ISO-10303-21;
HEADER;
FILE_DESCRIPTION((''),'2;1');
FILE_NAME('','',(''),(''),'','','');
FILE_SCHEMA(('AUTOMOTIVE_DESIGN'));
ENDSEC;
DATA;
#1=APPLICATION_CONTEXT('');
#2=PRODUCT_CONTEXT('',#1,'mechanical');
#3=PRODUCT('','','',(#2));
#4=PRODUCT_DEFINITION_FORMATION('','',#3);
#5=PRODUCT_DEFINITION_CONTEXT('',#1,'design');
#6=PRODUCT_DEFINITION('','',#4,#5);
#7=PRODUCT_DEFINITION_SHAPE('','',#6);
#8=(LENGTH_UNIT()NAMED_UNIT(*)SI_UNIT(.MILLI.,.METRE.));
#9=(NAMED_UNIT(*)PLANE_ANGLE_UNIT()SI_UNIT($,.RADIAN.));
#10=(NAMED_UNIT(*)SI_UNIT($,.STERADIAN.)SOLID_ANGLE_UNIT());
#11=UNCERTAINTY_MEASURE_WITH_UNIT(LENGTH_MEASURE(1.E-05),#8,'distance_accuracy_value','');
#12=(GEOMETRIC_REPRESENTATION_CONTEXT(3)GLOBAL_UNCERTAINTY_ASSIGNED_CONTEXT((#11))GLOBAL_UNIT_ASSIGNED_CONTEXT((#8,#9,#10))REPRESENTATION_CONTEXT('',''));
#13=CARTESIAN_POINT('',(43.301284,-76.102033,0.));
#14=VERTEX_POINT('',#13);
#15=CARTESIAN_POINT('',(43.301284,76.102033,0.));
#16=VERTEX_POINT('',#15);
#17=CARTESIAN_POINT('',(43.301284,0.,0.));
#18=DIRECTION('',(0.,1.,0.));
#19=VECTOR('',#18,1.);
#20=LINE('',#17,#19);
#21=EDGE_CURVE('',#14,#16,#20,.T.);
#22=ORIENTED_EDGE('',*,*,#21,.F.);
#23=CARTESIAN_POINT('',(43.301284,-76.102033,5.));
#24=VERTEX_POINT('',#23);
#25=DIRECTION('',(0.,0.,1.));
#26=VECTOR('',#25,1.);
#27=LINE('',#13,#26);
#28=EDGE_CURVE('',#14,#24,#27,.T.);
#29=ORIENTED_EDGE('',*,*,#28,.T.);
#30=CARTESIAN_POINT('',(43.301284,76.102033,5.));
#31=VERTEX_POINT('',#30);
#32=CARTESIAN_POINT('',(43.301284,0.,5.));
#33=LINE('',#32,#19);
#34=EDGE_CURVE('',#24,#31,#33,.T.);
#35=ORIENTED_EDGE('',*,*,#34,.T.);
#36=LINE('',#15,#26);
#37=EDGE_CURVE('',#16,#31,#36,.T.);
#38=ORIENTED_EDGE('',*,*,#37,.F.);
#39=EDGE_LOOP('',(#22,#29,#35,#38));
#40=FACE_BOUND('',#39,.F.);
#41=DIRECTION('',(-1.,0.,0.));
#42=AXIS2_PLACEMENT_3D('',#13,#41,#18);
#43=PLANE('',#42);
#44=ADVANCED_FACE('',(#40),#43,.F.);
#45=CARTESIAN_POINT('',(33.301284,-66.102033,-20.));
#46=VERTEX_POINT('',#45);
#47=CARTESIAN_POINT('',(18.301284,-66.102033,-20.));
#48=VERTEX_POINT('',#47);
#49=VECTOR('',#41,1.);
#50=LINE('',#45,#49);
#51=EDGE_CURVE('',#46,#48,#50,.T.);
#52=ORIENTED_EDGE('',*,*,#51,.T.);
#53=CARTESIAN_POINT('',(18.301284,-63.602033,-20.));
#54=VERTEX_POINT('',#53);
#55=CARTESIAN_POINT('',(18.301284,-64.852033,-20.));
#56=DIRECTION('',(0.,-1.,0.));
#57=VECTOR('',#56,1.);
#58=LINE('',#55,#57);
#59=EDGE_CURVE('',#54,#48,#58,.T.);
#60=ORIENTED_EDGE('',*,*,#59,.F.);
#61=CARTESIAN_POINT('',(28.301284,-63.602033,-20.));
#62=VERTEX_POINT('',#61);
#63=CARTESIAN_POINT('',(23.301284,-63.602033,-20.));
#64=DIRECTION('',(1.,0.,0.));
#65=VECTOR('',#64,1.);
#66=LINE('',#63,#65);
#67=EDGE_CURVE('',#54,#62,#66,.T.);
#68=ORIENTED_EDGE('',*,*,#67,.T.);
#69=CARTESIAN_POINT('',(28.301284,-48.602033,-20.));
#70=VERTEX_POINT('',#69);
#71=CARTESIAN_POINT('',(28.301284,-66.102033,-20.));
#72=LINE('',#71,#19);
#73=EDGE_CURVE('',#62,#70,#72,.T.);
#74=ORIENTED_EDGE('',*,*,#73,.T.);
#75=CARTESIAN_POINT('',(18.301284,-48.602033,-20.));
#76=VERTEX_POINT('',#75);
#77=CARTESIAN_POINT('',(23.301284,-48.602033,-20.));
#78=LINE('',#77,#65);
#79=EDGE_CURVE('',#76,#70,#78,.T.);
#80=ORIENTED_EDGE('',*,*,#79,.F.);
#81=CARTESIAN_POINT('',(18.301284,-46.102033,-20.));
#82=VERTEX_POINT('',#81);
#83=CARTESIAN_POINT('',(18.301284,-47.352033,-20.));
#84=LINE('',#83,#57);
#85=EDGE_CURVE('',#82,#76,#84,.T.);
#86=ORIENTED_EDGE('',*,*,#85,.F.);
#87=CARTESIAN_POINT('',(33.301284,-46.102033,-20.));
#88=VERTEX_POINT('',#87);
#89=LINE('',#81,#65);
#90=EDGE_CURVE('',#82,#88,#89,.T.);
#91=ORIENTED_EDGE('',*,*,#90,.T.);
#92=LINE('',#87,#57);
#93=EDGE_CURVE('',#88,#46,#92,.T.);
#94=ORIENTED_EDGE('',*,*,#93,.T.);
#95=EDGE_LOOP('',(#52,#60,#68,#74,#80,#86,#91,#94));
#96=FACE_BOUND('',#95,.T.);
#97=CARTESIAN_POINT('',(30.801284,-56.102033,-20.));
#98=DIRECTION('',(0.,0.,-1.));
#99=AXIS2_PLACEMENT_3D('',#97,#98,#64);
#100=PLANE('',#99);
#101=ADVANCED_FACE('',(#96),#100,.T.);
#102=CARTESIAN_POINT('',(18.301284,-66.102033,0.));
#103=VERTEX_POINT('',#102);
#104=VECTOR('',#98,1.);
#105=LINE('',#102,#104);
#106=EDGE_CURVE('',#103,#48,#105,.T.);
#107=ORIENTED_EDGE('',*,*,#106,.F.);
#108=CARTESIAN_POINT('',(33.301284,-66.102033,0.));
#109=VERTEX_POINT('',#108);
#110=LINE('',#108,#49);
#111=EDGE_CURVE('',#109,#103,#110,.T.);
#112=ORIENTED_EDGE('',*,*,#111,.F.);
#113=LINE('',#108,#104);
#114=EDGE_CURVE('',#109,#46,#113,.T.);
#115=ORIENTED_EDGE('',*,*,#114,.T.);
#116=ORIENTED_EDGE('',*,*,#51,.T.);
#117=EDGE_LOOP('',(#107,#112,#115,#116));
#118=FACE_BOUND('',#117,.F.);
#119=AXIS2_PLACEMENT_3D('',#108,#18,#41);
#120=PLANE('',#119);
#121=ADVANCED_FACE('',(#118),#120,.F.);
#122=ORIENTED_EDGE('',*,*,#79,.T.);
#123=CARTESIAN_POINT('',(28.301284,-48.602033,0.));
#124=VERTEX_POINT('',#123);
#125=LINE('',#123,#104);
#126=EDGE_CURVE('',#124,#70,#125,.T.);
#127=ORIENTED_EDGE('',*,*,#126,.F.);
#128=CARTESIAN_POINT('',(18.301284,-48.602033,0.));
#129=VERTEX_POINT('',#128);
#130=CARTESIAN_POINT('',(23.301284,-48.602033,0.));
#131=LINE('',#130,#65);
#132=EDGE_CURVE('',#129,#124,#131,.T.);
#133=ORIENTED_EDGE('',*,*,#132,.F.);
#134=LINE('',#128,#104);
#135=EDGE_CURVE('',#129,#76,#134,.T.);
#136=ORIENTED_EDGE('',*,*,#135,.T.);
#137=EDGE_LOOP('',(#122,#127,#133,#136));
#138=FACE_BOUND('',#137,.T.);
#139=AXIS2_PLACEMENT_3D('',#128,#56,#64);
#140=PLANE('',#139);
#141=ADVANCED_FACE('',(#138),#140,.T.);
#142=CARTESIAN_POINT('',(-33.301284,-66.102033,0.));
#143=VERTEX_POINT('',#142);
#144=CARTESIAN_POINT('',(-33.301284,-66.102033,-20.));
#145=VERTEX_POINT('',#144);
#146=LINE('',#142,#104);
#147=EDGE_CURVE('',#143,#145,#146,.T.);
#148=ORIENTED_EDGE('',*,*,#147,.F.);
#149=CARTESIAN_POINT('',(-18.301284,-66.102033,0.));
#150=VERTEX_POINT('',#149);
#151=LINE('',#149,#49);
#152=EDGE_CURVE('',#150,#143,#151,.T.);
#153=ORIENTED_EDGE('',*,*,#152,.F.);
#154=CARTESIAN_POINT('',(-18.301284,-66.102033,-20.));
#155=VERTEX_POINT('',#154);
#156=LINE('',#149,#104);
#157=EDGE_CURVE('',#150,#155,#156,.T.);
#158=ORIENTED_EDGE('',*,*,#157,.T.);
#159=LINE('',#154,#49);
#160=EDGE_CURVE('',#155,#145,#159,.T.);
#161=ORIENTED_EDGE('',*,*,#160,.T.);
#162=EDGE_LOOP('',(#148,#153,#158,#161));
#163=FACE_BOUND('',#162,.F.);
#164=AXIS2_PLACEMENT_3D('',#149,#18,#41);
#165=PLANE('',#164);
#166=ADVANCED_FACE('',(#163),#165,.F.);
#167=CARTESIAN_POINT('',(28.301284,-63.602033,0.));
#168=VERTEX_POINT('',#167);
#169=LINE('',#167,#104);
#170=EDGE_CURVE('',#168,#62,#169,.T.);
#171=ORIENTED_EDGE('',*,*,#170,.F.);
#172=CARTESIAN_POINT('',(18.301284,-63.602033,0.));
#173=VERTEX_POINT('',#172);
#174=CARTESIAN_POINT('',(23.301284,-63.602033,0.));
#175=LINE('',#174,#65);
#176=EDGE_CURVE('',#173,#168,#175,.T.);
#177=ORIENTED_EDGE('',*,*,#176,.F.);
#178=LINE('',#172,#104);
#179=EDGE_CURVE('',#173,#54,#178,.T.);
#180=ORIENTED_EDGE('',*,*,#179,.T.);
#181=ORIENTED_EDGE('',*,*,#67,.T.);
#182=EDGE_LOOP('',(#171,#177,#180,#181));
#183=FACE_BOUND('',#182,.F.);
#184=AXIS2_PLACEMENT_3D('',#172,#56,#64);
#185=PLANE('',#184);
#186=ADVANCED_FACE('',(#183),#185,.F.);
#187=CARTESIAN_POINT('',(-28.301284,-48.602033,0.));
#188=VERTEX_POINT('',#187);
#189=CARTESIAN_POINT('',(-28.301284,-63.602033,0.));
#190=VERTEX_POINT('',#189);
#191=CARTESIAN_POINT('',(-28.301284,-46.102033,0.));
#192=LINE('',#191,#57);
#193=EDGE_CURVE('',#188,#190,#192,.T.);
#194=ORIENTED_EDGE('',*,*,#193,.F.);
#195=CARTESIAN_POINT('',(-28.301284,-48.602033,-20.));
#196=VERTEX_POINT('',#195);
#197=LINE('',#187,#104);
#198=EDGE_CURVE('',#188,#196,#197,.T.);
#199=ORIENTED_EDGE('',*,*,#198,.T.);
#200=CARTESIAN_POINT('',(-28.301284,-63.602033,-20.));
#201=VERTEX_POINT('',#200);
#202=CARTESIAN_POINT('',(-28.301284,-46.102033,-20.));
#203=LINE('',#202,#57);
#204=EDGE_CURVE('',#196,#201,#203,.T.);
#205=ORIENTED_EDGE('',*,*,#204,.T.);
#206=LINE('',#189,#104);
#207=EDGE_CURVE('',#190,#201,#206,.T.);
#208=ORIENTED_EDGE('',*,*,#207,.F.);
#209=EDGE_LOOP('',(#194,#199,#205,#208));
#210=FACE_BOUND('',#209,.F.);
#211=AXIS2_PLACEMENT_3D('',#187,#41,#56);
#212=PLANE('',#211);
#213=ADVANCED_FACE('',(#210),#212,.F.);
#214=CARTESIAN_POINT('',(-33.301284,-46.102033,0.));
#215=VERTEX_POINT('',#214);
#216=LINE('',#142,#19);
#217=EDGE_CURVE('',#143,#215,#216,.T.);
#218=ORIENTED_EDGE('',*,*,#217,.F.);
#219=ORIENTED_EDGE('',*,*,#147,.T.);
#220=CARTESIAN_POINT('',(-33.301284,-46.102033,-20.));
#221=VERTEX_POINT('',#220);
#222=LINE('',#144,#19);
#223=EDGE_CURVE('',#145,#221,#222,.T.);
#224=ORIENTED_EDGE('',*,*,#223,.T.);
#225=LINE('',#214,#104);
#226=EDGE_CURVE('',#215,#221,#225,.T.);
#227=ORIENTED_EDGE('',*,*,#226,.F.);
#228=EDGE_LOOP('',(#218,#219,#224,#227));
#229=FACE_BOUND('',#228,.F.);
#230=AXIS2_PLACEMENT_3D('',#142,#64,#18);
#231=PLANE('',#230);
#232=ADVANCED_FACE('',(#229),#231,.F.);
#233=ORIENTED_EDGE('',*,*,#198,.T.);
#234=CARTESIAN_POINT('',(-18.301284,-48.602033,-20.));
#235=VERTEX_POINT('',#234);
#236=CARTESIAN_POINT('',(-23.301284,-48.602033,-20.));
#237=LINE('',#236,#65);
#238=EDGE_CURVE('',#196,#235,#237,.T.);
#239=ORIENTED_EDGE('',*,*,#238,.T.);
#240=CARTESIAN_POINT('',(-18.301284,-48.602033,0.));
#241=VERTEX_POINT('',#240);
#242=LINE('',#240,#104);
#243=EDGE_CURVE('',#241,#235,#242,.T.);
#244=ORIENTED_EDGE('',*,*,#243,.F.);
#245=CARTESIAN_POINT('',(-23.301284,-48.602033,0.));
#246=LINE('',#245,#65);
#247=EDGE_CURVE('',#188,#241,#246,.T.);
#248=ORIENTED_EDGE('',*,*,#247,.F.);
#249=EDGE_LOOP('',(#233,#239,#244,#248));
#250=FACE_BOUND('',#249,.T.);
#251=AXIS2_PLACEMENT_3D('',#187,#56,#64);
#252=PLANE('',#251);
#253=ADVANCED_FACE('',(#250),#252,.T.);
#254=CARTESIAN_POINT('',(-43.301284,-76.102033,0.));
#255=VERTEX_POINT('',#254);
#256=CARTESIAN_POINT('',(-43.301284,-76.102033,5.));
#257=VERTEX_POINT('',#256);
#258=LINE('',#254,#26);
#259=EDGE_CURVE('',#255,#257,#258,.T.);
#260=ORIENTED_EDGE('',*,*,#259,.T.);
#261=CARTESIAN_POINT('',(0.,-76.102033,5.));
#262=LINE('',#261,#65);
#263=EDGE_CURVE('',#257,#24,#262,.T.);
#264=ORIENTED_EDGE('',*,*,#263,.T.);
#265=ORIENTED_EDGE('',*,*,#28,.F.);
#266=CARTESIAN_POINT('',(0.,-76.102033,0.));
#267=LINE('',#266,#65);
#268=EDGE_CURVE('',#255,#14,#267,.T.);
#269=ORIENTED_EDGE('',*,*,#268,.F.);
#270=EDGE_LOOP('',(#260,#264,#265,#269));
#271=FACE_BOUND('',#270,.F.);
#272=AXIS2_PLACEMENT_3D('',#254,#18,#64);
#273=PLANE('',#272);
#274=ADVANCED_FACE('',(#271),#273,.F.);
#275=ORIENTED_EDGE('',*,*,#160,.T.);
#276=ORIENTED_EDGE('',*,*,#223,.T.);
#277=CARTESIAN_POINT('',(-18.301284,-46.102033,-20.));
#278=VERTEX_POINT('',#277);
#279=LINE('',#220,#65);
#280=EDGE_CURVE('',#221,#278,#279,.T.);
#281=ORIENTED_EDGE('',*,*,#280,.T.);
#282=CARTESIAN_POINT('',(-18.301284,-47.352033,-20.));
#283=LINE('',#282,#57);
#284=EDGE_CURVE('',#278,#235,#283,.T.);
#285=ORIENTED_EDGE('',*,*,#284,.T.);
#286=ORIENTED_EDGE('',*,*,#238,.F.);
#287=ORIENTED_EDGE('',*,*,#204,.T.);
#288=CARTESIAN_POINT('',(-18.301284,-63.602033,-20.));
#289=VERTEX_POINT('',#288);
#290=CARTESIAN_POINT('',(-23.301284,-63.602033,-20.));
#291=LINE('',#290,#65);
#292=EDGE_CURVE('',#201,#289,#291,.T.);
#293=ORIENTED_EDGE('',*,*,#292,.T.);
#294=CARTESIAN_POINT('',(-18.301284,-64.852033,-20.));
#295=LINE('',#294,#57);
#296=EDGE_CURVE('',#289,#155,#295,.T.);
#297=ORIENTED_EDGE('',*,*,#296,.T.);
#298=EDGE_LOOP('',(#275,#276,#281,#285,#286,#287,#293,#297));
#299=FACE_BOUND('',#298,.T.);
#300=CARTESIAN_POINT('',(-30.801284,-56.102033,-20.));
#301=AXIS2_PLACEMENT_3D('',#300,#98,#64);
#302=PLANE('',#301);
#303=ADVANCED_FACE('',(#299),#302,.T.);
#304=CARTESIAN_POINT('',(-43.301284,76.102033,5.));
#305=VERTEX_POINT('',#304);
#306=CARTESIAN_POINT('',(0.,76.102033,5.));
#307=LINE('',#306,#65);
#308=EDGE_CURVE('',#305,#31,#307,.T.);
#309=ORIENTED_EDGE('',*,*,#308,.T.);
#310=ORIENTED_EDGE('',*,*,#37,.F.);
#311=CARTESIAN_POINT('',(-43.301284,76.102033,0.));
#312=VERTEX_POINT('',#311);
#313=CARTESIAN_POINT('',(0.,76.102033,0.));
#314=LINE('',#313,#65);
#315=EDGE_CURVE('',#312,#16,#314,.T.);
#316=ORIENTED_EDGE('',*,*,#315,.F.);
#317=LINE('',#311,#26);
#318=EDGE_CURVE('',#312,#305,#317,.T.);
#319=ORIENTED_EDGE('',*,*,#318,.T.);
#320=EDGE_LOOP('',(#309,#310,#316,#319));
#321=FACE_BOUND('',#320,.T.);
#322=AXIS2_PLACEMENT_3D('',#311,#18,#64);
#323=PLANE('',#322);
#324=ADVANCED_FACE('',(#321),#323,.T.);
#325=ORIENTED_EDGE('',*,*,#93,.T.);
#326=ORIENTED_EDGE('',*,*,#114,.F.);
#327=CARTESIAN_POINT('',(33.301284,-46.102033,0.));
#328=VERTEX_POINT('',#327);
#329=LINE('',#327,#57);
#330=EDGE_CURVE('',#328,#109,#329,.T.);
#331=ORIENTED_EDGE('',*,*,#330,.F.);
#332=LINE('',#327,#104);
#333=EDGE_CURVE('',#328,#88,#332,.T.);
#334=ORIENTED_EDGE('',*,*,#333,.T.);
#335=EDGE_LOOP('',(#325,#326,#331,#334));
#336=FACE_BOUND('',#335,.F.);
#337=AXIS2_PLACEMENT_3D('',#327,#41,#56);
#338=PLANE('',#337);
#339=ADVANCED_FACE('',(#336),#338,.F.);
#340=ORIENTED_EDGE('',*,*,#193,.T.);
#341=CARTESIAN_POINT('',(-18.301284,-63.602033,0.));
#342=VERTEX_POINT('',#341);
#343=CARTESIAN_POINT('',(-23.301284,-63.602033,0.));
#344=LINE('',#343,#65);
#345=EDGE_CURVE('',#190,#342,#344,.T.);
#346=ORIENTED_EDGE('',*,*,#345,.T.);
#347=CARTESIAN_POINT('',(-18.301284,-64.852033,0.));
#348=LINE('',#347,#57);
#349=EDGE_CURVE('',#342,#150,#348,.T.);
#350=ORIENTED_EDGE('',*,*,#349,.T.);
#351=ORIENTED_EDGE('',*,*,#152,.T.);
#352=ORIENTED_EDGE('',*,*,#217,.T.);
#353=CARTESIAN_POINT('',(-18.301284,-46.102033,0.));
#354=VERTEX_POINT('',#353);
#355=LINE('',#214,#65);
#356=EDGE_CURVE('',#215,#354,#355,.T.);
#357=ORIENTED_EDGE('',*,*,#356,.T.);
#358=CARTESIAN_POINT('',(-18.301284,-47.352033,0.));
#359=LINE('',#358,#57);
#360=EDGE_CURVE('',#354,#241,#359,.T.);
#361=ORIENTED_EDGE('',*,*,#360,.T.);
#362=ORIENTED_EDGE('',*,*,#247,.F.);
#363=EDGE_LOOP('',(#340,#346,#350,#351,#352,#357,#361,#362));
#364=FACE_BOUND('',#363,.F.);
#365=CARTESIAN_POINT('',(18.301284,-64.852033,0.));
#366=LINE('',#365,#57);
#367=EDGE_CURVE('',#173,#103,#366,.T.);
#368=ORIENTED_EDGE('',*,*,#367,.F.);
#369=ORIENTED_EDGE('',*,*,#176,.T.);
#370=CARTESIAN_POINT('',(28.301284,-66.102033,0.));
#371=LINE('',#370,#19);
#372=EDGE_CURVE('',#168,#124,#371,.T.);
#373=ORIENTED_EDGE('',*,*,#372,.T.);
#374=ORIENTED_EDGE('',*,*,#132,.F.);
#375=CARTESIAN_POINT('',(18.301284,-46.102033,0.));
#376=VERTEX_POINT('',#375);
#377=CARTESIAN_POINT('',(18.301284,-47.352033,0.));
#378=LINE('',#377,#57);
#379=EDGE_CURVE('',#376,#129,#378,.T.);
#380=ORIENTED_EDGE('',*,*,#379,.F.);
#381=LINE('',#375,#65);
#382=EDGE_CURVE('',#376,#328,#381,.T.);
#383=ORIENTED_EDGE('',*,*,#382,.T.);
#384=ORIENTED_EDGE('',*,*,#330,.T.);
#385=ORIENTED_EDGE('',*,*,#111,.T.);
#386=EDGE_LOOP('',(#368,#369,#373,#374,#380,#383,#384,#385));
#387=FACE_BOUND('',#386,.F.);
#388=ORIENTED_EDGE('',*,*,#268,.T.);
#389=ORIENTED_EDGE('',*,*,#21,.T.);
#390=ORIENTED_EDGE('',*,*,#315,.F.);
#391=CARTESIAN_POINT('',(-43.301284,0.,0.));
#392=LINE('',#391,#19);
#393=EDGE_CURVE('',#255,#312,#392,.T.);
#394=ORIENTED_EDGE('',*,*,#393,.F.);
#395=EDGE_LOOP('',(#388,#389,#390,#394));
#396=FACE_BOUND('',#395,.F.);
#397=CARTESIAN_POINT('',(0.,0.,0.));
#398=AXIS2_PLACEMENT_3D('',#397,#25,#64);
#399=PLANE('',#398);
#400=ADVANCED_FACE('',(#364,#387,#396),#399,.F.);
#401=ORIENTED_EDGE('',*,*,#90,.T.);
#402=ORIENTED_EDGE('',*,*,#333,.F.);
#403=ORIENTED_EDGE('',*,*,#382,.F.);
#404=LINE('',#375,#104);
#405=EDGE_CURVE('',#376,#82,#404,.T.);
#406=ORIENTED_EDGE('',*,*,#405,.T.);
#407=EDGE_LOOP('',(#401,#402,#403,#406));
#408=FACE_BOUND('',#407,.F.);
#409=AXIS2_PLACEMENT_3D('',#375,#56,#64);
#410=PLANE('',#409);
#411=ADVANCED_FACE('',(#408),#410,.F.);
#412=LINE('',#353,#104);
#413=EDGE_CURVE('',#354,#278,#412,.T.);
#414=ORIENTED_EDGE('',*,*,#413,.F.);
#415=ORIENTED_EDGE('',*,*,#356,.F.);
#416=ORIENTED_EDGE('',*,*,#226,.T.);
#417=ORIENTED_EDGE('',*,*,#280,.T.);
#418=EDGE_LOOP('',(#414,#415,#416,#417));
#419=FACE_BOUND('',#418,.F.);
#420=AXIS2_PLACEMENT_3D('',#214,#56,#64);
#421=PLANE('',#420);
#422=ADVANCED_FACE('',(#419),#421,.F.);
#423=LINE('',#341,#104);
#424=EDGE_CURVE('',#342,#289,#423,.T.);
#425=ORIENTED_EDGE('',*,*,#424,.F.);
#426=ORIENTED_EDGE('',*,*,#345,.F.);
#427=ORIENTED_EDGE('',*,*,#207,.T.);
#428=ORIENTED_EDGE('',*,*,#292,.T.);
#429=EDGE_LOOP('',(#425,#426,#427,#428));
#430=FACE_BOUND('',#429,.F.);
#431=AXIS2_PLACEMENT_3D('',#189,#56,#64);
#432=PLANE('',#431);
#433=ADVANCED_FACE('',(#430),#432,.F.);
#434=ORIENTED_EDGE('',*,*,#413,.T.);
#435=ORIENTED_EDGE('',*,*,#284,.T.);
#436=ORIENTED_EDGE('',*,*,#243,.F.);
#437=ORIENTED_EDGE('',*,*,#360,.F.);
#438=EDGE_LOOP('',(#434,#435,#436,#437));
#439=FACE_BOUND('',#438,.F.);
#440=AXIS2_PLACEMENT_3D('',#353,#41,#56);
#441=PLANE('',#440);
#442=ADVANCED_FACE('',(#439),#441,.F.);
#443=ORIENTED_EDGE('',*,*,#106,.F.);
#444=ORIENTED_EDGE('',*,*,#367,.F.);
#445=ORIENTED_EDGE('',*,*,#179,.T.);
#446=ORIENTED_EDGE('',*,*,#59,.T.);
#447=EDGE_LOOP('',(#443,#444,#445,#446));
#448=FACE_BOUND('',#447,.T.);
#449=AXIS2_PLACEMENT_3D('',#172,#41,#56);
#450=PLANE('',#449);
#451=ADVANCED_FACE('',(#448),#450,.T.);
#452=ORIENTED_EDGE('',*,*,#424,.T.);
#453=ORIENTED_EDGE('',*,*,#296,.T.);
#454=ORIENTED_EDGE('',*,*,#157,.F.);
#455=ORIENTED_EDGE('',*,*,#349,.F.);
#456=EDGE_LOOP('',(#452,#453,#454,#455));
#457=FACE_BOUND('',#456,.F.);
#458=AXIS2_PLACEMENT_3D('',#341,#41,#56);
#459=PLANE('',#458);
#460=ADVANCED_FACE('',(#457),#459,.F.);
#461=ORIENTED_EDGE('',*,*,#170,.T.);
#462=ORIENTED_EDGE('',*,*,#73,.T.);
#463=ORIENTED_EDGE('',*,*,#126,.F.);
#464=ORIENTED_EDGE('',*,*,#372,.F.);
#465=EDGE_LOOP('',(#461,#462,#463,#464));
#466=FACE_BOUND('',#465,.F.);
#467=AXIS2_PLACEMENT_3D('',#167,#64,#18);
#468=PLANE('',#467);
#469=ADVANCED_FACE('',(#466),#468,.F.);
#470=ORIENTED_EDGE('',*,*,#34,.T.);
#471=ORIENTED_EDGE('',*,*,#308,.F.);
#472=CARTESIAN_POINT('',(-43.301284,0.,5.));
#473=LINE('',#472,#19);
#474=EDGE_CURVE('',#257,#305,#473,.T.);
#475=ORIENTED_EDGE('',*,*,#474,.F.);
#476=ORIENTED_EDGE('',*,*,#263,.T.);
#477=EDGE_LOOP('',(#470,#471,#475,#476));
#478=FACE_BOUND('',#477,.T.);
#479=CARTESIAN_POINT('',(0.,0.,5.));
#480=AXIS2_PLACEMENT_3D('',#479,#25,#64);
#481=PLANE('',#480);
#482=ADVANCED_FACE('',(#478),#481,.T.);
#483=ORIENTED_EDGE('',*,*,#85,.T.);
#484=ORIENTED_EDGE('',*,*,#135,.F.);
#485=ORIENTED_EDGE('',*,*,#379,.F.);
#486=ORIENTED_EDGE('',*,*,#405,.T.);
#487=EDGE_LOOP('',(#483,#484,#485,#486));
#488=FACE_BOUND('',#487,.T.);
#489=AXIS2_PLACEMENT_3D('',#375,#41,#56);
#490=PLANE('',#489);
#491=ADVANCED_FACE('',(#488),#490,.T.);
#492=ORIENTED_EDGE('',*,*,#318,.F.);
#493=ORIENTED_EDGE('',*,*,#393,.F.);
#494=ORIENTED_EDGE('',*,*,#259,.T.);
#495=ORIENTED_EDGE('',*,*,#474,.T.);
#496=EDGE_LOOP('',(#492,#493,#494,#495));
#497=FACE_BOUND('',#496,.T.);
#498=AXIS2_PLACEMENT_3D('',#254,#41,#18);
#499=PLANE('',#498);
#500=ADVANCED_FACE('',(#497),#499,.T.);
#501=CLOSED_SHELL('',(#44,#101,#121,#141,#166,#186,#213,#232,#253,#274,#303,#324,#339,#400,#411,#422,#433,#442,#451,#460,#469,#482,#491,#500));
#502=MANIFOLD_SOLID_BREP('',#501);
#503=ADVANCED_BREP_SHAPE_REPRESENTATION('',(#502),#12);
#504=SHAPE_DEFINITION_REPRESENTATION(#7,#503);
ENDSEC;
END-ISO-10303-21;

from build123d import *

# Parameters (mm, degrees)
F0_W     = 86.602568
F0_H     = 152.204066
F1_DEPTH = 5
F2_W     = 10
F2_H     = 2.5
F3_DEPTH = 20


with BuildPart() as f1:
    # F0 (on Top) → F1 (new body)
    with BuildSketch(Plane.XY):
        Rectangle(F0_W, F0_H)
    extrude(amount=F1_DEPTH)

    # F2 (on face) → F3 (join)
    with BuildSketch(Plane(origin=(0, 0, 0), x_dir=(1, 0, 0), z_dir=(0, 0, -1))):
        Polygon((-28.301284, 66.102033), (-33.301284, 66.102033), (-33.301284, 46.102033), (-28.301284, 46.102033), (-28.301284, 48.602033), (-28.301284, 63.602033), align=None)
        with Locations((-23.301284, 64.852033)):
            Rectangle(F2_W, F2_H)
        with Locations((-23.301284, 47.352033)):
            Rectangle(F2_W, F2_H)
        Polygon((28.301284, 48.602033), (28.301284, 46.102033), (33.301284, 46.102033), (33.301284, 66.102033), (28.301284, 66.102033), (28.301284, 63.602033), align=None)
        with Locations((23.301284, 47.352033)):
            Rectangle(F2_W, F2_H)
        with Locations((23.301284, 64.852033)):
            Rectangle(F2_W, F2_H)
    extrude(amount=F3_DEPTH)


solid = f1.part
